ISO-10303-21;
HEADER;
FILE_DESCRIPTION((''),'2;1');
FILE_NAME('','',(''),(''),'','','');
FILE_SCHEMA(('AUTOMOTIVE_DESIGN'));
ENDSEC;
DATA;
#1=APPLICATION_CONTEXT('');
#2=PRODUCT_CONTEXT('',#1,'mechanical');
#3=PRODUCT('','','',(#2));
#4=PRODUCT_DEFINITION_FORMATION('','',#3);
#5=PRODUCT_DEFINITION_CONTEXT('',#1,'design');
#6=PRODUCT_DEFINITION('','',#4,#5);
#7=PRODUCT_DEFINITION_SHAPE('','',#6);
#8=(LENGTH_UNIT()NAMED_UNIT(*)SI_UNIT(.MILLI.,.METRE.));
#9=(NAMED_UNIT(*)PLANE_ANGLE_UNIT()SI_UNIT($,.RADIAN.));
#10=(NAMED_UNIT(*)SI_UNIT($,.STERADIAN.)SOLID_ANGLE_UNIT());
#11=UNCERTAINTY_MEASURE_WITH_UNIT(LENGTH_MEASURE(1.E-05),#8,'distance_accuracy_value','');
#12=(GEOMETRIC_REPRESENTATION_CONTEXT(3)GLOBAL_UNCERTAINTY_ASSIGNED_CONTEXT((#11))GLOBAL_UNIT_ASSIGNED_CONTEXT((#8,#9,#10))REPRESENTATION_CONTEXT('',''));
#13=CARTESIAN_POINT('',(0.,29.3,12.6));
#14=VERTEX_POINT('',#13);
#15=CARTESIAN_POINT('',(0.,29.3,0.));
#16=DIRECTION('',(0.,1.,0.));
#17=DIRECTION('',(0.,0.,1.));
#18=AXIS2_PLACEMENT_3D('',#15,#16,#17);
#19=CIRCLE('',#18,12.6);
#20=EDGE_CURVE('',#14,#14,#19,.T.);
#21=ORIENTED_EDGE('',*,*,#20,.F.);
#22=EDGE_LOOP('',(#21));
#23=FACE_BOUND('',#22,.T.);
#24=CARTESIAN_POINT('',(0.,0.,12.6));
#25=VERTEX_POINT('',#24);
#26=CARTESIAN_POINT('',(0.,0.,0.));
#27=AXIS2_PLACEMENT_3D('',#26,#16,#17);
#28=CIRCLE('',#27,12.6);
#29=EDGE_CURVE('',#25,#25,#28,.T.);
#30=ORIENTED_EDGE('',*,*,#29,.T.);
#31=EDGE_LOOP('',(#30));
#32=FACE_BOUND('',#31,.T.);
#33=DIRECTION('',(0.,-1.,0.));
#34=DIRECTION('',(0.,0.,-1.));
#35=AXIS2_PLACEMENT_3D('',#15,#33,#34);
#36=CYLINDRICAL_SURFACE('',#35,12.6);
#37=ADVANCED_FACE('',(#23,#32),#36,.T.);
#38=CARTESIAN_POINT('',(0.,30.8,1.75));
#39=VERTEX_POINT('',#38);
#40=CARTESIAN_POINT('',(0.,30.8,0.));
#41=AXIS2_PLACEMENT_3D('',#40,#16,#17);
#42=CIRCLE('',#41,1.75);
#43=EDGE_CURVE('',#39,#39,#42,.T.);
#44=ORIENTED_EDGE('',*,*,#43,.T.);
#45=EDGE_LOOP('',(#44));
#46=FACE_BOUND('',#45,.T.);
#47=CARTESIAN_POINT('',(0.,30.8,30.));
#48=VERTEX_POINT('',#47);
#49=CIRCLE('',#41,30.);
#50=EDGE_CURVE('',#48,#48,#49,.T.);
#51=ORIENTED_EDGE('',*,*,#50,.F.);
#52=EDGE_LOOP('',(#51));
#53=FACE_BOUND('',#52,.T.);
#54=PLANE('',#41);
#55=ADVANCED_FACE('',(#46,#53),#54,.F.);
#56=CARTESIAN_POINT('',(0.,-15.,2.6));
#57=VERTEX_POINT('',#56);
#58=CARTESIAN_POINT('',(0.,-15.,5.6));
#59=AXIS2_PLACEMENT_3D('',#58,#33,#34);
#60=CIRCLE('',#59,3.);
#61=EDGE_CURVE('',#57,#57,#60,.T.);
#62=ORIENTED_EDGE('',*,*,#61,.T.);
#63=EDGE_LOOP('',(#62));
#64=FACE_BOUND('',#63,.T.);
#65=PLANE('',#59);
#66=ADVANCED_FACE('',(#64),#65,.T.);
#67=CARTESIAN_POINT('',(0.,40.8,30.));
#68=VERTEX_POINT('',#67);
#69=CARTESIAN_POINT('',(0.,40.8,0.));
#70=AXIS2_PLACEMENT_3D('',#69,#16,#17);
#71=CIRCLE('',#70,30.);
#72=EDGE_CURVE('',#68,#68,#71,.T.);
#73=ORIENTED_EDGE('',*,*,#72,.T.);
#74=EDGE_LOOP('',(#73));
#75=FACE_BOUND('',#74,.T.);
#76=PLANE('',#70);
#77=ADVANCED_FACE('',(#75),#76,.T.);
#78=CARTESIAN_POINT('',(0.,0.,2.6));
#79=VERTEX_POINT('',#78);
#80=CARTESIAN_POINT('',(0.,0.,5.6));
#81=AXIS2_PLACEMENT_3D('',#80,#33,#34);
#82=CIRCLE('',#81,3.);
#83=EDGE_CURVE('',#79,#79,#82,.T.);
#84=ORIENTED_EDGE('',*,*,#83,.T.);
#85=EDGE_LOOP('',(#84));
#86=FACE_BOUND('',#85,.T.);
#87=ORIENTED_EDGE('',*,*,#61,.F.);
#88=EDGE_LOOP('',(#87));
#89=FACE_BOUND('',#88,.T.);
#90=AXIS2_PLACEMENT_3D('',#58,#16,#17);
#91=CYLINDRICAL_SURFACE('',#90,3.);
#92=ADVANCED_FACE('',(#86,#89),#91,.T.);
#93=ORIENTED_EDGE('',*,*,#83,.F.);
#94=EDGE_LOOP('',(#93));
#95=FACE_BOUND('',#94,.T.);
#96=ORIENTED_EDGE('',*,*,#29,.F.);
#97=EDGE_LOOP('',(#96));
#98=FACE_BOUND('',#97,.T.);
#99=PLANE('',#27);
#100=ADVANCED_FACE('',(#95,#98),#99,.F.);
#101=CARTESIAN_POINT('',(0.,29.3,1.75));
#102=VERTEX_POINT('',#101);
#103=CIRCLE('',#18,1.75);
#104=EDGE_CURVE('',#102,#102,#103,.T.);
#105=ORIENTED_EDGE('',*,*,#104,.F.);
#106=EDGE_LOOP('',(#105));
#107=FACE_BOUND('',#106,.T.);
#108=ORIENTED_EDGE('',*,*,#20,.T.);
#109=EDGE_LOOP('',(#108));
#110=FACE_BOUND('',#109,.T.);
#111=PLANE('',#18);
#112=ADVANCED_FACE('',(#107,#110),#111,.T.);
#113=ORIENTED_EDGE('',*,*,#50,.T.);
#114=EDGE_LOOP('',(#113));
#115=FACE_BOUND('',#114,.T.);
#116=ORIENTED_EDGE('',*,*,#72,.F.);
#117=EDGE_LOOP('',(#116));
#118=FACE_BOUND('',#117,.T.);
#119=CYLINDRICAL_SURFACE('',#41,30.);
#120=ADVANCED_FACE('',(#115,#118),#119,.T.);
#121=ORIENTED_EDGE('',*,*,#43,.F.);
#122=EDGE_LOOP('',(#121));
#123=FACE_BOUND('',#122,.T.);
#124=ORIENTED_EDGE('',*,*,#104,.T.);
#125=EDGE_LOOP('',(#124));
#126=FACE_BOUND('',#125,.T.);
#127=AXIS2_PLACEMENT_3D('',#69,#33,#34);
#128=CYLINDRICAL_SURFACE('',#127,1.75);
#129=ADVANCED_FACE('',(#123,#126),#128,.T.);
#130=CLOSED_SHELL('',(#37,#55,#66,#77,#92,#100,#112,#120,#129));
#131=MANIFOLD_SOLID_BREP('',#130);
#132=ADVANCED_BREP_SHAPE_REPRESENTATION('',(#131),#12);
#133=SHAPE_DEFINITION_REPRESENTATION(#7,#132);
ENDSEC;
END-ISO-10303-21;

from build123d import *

# Parameters (mm, degrees)
SKETCH1_R           = 12.6
BOSS_EXTRUDE1_DEPTH = 29.3
SKETCH2_R           = 1.75
BOSS_EXTRUDE2_DEPTH = 11.5
SKETCH3_R           = 30
BOSS_EXTRUDE3_DEPTH = 10
SKETCH4_R           = 3
BOSS_EXTRUDE4_DEPTH = 15


with BuildPart() as part:
    # Sketch1 → Boss-Extrude1 (new body)
    with BuildSketch(Plane(origin=(0, 0, 0), x_dir=(1, 0, 0), z_dir=(0, 1, 0))):
        with Locations(Location((0, 0, 0), (0, 0, 270))):
            Circle(SKETCH1_R)
    extrude(amount=BOSS_EXTRUDE1_DEPTH)

    # Sketch2 → Boss-Extrude2 (add)
    with BuildSketch(Plane(origin=(0, 29.3, 0), x_dir=(1, 0, 0), z_dir=(0, 1, 0))):
        with Locations(Location((0, 0, 0), (0, 0, 270))):
            Circle(SKETCH2_R)
    extrude(amount=BOSS_EXTRUDE2_DEPTH)

    # Sketch3 → Boss-Extrude3 (add)
    with BuildSketch(Plane(origin=(0, 40.8, 0), x_dir=(1, 0, 0), z_dir=(0, 1, 0))):
        with Locations(Location((0, 0, 0), (0, 0, 270))):
            Circle(SKETCH3_R)
    extrude(amount=-BOSS_EXTRUDE3_DEPTH)

    # Sketch4 → Boss-Extrude4 (add)
    with BuildSketch(Plane.XZ):
        with Locations(Location((0, 5.6, 0), (0, 0, 270))):
            Circle(SKETCH4_R)
    extrude(amount=BOSS_EXTRUDE4_DEPTH)


solid = part.part
